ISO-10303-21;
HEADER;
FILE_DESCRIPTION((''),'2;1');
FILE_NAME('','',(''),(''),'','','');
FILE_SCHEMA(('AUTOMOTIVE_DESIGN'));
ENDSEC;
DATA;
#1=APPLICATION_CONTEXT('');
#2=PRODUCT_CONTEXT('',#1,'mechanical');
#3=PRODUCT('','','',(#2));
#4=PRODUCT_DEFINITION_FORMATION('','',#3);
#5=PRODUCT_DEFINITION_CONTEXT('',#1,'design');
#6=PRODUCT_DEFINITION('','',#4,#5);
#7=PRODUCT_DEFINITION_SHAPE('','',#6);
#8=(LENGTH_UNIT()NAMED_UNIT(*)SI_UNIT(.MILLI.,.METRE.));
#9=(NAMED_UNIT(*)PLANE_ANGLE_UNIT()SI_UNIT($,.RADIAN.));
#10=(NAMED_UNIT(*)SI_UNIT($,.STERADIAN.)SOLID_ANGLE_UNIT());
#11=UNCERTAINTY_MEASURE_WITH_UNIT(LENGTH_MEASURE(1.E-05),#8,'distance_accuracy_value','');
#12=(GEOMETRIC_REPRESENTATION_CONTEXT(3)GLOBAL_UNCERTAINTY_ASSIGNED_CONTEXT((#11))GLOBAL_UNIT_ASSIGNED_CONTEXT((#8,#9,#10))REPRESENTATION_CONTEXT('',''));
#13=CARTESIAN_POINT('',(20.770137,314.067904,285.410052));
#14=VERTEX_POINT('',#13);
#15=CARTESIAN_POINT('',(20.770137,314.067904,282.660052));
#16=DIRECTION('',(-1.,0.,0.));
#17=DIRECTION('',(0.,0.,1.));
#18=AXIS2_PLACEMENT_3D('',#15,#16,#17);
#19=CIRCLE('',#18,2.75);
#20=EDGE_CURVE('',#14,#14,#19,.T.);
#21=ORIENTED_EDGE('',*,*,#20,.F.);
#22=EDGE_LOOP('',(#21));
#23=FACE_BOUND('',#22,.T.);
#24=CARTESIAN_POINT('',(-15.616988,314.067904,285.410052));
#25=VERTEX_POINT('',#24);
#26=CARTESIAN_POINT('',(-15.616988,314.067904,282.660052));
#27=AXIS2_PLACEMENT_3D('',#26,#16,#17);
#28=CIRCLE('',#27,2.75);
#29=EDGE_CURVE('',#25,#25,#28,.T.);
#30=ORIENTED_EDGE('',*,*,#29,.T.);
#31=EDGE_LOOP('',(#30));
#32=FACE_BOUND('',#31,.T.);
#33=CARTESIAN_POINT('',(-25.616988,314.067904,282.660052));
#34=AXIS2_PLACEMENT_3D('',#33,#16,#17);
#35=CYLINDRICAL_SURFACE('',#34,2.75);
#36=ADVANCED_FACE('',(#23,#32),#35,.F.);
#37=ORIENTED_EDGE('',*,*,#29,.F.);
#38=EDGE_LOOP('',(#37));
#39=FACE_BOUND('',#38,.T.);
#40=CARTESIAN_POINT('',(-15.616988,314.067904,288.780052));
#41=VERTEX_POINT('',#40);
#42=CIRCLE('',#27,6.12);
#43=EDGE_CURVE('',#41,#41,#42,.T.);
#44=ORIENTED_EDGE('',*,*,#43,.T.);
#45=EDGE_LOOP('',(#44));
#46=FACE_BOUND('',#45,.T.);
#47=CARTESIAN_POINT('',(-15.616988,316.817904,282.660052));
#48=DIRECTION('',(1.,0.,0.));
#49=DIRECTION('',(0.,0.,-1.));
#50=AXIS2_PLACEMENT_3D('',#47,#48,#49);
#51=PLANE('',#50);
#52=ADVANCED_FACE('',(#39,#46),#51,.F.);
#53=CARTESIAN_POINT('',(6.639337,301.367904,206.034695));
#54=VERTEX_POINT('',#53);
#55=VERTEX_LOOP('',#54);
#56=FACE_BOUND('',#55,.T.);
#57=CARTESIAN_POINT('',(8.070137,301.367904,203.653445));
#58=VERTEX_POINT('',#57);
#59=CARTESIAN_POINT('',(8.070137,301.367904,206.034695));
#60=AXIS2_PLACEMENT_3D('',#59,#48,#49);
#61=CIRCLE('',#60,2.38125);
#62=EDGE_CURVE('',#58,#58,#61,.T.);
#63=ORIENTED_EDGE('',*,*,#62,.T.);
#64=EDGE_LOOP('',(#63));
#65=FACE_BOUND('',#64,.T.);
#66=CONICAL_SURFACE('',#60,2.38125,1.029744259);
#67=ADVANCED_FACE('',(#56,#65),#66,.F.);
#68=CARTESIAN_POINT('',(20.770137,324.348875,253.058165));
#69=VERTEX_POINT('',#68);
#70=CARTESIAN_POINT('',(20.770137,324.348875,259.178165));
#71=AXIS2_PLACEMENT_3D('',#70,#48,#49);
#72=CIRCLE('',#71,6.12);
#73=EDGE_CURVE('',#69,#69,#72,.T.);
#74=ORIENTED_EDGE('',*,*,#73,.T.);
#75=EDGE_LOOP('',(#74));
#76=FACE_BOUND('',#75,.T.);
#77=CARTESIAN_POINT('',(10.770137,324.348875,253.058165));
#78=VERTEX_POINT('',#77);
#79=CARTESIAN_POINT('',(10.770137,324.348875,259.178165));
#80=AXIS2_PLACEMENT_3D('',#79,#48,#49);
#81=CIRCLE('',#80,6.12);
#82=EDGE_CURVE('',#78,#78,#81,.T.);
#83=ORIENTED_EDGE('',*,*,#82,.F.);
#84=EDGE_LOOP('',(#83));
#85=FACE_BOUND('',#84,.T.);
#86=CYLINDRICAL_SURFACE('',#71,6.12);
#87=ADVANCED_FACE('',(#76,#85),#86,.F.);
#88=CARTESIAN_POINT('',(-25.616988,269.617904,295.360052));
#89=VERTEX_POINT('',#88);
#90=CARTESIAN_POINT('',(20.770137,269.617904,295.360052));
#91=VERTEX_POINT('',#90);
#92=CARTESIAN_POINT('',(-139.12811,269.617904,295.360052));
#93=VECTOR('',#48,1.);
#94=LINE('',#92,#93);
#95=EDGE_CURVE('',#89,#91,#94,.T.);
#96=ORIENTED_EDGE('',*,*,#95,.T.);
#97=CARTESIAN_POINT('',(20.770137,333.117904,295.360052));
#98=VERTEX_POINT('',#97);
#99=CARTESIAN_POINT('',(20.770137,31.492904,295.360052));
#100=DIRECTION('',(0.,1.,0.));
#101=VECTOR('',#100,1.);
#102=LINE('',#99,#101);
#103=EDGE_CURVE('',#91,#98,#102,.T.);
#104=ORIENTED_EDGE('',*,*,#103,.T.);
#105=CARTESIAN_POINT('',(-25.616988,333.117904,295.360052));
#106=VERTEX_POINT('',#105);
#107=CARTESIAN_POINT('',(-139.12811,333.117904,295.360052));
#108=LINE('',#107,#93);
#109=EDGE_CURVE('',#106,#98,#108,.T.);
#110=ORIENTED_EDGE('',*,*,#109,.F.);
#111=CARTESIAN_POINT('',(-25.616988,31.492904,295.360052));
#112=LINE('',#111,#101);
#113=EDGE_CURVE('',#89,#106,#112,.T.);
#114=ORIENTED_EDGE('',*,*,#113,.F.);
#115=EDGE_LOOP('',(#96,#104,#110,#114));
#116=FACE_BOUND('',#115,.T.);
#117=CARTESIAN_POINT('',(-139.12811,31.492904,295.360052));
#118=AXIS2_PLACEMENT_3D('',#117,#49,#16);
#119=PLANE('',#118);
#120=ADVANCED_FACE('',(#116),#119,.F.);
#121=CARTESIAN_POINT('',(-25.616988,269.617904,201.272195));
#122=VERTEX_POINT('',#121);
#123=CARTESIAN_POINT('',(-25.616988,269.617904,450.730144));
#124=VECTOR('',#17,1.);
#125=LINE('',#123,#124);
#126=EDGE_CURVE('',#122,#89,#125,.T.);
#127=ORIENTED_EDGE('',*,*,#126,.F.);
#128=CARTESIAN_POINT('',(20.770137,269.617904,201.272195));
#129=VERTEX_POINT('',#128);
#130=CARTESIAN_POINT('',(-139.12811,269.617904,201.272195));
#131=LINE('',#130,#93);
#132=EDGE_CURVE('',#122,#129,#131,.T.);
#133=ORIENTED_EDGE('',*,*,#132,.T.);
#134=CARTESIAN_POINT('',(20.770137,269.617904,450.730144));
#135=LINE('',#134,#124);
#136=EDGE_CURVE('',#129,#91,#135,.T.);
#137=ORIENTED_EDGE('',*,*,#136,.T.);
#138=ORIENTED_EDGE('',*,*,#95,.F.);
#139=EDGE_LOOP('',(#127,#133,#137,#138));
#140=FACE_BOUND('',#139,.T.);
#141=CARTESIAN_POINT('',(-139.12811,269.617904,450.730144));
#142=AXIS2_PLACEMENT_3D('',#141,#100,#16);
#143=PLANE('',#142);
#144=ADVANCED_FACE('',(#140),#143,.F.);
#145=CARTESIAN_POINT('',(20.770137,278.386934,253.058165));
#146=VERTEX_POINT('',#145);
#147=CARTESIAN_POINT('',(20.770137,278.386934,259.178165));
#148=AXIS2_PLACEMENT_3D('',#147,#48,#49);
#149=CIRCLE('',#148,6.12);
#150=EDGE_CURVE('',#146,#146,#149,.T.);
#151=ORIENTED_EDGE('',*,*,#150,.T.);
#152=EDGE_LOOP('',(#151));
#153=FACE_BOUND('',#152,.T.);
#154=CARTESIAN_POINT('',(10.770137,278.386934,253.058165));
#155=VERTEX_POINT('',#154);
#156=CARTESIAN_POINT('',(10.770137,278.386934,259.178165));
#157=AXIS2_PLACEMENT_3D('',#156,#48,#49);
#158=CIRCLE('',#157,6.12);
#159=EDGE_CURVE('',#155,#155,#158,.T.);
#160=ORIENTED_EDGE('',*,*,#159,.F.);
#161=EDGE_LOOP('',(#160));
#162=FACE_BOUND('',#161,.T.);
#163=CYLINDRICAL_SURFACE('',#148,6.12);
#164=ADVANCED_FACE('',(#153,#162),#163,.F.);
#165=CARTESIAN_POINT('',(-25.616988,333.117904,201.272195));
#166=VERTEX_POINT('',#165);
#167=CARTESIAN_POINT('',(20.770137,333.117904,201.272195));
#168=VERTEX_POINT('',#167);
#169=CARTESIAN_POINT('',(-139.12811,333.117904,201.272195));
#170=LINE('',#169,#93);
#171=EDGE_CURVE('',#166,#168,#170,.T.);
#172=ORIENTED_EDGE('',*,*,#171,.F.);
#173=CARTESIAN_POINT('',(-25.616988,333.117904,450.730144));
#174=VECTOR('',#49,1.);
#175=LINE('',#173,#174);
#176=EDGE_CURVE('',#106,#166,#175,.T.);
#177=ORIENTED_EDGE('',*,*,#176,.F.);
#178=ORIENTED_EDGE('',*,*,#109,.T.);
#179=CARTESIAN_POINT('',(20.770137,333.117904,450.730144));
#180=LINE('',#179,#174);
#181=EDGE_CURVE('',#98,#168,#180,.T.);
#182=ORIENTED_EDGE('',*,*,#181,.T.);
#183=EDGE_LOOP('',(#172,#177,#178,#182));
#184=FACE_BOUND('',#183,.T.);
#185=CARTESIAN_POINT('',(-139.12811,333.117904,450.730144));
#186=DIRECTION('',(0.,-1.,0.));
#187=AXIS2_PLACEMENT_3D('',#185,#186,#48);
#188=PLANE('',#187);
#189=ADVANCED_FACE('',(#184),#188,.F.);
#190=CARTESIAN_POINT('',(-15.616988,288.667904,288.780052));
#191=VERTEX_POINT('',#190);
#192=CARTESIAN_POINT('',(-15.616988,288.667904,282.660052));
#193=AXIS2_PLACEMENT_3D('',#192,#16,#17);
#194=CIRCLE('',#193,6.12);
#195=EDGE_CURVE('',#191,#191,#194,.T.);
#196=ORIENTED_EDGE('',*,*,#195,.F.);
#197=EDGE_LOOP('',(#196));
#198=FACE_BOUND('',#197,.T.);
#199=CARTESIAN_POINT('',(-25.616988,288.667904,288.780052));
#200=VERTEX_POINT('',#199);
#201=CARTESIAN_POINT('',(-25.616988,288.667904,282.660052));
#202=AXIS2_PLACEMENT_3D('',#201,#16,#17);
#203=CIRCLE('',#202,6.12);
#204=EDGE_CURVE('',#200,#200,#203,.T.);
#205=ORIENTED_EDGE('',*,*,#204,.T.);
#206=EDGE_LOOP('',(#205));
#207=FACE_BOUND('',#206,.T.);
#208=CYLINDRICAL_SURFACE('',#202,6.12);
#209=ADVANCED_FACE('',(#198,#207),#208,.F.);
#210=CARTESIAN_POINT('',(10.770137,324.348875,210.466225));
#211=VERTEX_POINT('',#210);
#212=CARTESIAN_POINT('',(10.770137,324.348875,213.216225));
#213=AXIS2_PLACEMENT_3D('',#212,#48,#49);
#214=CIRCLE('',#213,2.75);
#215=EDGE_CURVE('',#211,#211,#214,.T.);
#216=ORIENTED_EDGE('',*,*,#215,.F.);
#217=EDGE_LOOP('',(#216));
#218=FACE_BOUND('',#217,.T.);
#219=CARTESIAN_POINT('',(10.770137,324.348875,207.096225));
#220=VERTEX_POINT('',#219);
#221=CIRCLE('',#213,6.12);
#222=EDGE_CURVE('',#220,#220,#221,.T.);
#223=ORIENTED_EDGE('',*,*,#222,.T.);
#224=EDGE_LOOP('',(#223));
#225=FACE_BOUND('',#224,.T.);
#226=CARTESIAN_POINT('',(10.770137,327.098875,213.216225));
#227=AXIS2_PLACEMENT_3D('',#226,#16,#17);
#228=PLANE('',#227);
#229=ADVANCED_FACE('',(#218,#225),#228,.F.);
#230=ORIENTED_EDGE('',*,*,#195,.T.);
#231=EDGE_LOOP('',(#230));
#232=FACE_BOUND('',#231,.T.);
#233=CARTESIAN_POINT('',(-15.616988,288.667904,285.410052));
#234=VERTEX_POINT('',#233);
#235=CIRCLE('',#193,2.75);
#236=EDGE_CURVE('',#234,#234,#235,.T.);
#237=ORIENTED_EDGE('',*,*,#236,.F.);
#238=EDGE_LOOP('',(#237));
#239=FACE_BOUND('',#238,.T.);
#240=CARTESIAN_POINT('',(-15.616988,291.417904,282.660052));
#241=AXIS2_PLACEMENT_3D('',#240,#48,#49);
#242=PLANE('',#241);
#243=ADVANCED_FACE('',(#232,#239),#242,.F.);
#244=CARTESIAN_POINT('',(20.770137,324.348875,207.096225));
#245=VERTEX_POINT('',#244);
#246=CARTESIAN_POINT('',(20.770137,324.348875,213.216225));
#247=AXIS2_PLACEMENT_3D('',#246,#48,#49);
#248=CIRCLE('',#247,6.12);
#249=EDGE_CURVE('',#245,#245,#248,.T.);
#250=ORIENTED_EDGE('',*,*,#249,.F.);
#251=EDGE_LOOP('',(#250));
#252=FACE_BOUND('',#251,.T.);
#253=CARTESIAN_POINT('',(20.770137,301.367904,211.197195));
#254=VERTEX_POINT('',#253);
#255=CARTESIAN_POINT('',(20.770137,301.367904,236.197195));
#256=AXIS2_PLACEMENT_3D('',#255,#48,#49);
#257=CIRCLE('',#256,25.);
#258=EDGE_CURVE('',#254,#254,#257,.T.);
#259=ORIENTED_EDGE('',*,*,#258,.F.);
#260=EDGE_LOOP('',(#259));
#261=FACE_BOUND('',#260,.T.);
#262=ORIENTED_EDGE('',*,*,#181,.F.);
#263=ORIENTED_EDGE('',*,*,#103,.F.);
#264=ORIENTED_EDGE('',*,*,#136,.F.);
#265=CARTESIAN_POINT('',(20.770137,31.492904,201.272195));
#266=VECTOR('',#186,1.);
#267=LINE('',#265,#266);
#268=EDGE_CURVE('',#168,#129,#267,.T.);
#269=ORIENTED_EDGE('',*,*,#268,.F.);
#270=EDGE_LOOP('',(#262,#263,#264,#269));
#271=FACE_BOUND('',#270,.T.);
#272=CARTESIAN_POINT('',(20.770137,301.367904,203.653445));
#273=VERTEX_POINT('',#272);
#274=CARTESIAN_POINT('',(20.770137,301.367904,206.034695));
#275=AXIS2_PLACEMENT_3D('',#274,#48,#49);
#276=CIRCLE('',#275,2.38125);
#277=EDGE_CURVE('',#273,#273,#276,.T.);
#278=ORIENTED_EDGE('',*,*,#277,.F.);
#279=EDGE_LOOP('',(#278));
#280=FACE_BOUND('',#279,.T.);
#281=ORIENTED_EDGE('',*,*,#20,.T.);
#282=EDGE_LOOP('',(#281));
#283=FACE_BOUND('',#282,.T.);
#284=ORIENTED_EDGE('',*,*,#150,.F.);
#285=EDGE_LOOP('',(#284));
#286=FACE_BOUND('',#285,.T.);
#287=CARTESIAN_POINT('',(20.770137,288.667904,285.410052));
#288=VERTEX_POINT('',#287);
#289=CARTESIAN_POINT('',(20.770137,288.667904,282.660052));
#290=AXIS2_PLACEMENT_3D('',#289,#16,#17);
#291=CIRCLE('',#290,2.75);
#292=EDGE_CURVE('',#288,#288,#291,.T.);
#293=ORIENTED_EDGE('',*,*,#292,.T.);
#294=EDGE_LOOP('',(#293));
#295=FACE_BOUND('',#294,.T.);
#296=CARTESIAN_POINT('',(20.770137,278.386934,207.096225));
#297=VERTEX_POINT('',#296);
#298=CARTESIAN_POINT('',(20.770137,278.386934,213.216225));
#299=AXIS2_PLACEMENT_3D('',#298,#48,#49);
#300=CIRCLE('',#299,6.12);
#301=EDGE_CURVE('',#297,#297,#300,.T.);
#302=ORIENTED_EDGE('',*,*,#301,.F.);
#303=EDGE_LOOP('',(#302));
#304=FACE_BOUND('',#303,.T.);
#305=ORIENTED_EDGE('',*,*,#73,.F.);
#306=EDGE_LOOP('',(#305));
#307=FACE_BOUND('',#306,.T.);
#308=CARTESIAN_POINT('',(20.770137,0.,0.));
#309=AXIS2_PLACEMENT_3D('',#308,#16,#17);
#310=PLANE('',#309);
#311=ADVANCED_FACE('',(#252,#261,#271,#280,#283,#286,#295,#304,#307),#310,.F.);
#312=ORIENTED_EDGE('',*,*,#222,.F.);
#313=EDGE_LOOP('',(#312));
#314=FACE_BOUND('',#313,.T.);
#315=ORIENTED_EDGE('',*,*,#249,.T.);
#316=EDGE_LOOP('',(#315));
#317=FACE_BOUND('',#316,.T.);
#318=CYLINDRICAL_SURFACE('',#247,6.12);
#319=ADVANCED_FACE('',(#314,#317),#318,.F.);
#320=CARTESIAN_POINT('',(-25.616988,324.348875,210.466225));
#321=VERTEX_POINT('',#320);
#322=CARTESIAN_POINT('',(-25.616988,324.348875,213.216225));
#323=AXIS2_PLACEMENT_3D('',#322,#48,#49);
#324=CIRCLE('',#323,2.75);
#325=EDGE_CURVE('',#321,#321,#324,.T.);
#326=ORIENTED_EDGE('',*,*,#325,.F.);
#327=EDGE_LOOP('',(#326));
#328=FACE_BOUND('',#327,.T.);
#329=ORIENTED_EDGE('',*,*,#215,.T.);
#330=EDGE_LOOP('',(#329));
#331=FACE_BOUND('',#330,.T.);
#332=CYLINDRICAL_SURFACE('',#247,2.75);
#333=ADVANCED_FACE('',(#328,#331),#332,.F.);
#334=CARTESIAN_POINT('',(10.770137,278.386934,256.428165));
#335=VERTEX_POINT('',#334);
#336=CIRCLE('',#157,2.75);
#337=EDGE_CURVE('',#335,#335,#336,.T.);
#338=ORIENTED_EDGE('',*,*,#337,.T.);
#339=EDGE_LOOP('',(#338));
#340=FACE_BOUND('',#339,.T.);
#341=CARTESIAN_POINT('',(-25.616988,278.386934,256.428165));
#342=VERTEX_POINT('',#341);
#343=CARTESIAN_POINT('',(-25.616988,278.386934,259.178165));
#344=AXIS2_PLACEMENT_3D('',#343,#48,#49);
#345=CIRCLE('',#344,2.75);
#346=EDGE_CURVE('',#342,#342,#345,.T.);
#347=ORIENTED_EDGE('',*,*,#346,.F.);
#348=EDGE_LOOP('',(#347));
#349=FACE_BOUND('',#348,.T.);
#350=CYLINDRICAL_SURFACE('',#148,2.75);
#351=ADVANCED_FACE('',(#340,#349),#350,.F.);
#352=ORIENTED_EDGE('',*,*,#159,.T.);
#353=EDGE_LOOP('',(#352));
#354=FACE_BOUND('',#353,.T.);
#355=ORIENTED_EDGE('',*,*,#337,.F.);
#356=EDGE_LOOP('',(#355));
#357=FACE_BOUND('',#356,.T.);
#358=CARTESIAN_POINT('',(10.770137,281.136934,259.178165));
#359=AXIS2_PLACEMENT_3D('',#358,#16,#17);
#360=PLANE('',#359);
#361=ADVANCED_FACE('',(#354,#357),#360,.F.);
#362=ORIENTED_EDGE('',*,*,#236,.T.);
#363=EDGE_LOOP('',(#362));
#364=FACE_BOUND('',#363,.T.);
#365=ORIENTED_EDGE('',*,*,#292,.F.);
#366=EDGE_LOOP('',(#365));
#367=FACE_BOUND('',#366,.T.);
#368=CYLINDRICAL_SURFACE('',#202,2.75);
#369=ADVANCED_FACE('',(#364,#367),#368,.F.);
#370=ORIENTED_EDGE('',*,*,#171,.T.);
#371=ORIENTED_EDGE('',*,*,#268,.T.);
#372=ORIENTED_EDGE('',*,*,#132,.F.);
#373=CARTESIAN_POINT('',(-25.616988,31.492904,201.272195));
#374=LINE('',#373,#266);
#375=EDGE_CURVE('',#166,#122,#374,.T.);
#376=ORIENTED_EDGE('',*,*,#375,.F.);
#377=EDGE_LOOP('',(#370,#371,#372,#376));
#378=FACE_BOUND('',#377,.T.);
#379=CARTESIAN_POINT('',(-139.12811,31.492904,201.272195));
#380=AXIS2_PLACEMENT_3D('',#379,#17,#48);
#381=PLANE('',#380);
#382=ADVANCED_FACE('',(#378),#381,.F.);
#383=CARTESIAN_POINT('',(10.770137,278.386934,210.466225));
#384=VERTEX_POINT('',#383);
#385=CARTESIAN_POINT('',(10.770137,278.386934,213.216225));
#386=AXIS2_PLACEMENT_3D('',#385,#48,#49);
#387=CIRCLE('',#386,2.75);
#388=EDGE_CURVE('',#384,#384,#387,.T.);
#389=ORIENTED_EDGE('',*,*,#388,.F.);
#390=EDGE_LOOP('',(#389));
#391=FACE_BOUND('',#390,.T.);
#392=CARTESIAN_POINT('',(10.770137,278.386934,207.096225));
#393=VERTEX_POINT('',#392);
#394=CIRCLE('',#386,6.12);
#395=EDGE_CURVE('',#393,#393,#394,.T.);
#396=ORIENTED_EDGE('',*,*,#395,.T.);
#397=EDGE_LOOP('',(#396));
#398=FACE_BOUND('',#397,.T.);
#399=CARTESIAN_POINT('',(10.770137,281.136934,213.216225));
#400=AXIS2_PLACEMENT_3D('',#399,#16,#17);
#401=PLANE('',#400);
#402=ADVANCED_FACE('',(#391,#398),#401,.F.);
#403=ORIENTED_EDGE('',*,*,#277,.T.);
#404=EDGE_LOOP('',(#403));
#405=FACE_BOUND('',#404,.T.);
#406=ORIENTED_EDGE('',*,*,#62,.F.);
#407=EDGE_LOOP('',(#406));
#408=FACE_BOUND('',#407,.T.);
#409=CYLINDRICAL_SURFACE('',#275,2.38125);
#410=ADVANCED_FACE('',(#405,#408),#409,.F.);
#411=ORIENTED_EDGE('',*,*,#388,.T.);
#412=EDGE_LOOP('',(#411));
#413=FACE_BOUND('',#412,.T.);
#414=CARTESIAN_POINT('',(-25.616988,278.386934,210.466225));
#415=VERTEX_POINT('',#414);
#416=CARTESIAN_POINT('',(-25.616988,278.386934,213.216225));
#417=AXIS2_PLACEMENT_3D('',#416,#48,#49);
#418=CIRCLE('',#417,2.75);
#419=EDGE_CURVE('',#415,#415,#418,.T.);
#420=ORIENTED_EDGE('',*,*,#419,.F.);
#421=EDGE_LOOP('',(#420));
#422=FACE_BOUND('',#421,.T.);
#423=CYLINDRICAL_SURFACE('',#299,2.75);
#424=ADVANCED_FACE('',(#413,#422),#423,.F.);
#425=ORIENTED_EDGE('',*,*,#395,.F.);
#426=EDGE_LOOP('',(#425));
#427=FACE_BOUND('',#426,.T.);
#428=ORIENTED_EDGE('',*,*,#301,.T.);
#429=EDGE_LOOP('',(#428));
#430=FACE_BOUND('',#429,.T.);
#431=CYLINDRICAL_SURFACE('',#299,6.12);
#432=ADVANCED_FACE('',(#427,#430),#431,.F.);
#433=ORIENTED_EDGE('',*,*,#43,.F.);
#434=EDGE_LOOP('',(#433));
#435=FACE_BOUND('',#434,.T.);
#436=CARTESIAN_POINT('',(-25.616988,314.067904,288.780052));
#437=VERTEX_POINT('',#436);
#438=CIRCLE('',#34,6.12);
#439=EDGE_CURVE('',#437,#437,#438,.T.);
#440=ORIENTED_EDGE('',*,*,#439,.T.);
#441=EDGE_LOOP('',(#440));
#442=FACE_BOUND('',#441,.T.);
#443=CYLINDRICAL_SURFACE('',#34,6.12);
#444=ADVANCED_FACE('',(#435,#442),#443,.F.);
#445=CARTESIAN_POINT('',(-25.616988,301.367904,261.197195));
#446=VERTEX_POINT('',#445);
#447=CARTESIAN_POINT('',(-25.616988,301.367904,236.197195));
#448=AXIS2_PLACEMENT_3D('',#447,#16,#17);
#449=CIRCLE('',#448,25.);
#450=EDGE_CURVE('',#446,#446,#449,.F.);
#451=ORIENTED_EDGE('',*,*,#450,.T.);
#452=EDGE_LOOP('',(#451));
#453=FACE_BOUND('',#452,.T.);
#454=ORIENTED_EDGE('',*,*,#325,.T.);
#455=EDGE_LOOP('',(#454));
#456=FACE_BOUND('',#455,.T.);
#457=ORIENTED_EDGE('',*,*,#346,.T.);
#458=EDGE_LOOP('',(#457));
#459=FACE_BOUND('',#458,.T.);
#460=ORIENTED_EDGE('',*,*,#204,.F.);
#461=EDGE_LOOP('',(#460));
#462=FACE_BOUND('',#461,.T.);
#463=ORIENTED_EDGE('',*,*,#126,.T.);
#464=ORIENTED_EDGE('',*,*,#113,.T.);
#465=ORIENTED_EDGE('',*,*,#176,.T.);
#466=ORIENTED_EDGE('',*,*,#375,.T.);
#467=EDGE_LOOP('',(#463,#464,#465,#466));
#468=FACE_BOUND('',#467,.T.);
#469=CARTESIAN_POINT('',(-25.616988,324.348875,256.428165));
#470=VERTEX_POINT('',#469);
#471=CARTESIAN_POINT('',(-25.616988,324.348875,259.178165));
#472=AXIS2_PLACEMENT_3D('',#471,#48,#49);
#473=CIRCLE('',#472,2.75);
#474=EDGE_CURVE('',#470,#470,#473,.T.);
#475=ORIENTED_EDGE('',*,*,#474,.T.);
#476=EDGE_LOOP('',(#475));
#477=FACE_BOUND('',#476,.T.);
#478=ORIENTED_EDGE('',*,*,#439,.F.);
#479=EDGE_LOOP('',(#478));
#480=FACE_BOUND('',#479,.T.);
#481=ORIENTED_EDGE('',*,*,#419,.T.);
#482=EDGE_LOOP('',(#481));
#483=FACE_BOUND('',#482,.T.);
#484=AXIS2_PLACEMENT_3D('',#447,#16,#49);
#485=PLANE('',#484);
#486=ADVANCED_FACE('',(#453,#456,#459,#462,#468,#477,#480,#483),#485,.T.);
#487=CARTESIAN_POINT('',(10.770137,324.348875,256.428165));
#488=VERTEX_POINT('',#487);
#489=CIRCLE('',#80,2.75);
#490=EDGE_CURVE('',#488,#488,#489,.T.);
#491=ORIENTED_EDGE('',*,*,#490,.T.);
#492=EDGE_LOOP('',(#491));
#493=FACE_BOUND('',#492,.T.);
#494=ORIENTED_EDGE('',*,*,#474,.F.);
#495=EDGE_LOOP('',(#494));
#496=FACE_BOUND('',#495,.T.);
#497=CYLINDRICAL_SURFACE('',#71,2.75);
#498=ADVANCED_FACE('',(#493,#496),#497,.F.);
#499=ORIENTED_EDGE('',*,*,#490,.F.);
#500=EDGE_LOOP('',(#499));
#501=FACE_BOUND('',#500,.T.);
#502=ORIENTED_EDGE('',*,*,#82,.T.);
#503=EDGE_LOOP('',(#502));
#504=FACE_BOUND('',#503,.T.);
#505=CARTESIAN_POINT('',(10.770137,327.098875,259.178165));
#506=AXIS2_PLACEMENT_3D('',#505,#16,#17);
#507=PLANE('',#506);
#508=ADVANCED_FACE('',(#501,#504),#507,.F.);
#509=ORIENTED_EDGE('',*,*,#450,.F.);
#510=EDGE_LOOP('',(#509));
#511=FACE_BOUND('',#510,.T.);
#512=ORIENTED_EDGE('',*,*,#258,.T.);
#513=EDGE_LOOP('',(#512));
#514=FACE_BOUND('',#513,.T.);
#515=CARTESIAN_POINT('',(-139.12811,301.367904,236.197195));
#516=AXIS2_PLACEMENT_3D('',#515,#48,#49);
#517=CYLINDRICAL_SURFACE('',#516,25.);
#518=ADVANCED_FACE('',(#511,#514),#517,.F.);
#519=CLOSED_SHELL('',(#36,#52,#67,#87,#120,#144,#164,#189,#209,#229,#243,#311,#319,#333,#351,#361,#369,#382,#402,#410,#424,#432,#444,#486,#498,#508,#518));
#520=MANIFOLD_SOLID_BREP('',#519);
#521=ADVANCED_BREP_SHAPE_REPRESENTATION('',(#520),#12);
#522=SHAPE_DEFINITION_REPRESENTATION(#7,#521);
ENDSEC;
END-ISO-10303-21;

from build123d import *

# Parameters (mm, degrees)
SKETCH1_W                               = 94.087856827
SKETCH1_H                               = 63.5
SKETCH1_R                               = 25
BOSS_EXTRUDE1_DEPTH                     = 46.387125
CBORE_FOR_M5_HEX_HEAD_BOLT1_D           = 5.5
CBORE_FOR_M5_HEX_HEAD_BOLT1_CBORE_D     = 12.24
CBORE_FOR_M5_HEX_HEAD_BOLT1_CBORE_DEPTH = 10
CBORE_FOR_M5_HEX_HEAD_BOLT2_D           = 5.5
CBORE_FOR_M5_HEX_HEAD_BOLT2_CBORE_D     = 12.24
CBORE_FOR_M5_HEX_HEAD_BOLT2_CBORE_DEPTH = 10
HOLE_FOR_6_300_SC_NUTS_SP_1_D           = 4.7625
HOLE_FOR_6_300_SC_NUTS_SP_1_DEPTH       = 12.7
HOLE_FOR_6_300_SC_NUTS_SP_1_TIP         = 1.430799349


with BuildPart() as part:
    # Sketch1 → Boss-Extrude1 (new body)
    with BuildSketch(Plane.ZY.offset(-20.770136657)):
        with Locations((248.31612335, 301.367904211)):
            Rectangle(SKETCH1_W, SKETCH1_H)
        with Locations((236.197194936, 301.367904211)):
            Circle(SKETCH1_R, mode=Mode.SUBTRACT)
    extrude(amount=BOSS_EXTRUDE1_DEPTH)

    # CBORE for M5 Hex Head Bolt1 (through all)
    with Locations(Plane(origin=(20.770136657, 0, 0), x_dir=(0, 0, -1), z_dir=(1, 0, 0))):
        with Locations((-259.178165324, 324.348874599), (-259.178165324, 278.386933822), (-213.216224547, 278.386933822), (-213.216224547, 324.348874599)):
            CounterBoreHole(CBORE_FOR_M5_HEX_HEAD_BOLT1_D / 2, CBORE_FOR_M5_HEX_HEAD_BOLT1_CBORE_D / 2, CBORE_FOR_M5_HEX_HEAD_BOLT1_CBORE_DEPTH)

    # CBORE for M5 Hex Head Bolt2 (through all)
    with Locations(Plane.ZY.offset(25.616988343)):
        with Locations((282.660051763, 314.067904211), (282.660051763, 288.667904211)):
            CounterBoreHole(CBORE_FOR_M5_HEX_HEAD_BOLT2_D / 2, CBORE_FOR_M5_HEX_HEAD_BOLT2_CBORE_D / 2, CBORE_FOR_M5_HEX_HEAD_BOLT2_CBORE_DEPTH)

    # Hole for #6 300® SC Nuts (SP)1
    with Locations(Plane(origin=(20.770136657, 0, 0), x_dir=(0, 0, -1), z_dir=(1, 0, 0))):
        with Locations((-206.034694936, 301.367904211)):
            Hole(HOLE_FOR_6_300_SC_NUTS_SP_1_D / 2, depth=HOLE_FOR_6_300_SC_NUTS_SP_1_DEPTH)
            with Locations((0, 0, -(HOLE_FOR_6_300_SC_NUTS_SP_1_DEPTH + HOLE_FOR_6_300_SC_NUTS_SP_1_TIP / 2))):  # 118° drill point
                Cone(0, HOLE_FOR_6_300_SC_NUTS_SP_1_D / 2, HOLE_FOR_6_300_SC_NUTS_SP_1_TIP, mode=Mode.SUBTRACT)


solid = part.part
